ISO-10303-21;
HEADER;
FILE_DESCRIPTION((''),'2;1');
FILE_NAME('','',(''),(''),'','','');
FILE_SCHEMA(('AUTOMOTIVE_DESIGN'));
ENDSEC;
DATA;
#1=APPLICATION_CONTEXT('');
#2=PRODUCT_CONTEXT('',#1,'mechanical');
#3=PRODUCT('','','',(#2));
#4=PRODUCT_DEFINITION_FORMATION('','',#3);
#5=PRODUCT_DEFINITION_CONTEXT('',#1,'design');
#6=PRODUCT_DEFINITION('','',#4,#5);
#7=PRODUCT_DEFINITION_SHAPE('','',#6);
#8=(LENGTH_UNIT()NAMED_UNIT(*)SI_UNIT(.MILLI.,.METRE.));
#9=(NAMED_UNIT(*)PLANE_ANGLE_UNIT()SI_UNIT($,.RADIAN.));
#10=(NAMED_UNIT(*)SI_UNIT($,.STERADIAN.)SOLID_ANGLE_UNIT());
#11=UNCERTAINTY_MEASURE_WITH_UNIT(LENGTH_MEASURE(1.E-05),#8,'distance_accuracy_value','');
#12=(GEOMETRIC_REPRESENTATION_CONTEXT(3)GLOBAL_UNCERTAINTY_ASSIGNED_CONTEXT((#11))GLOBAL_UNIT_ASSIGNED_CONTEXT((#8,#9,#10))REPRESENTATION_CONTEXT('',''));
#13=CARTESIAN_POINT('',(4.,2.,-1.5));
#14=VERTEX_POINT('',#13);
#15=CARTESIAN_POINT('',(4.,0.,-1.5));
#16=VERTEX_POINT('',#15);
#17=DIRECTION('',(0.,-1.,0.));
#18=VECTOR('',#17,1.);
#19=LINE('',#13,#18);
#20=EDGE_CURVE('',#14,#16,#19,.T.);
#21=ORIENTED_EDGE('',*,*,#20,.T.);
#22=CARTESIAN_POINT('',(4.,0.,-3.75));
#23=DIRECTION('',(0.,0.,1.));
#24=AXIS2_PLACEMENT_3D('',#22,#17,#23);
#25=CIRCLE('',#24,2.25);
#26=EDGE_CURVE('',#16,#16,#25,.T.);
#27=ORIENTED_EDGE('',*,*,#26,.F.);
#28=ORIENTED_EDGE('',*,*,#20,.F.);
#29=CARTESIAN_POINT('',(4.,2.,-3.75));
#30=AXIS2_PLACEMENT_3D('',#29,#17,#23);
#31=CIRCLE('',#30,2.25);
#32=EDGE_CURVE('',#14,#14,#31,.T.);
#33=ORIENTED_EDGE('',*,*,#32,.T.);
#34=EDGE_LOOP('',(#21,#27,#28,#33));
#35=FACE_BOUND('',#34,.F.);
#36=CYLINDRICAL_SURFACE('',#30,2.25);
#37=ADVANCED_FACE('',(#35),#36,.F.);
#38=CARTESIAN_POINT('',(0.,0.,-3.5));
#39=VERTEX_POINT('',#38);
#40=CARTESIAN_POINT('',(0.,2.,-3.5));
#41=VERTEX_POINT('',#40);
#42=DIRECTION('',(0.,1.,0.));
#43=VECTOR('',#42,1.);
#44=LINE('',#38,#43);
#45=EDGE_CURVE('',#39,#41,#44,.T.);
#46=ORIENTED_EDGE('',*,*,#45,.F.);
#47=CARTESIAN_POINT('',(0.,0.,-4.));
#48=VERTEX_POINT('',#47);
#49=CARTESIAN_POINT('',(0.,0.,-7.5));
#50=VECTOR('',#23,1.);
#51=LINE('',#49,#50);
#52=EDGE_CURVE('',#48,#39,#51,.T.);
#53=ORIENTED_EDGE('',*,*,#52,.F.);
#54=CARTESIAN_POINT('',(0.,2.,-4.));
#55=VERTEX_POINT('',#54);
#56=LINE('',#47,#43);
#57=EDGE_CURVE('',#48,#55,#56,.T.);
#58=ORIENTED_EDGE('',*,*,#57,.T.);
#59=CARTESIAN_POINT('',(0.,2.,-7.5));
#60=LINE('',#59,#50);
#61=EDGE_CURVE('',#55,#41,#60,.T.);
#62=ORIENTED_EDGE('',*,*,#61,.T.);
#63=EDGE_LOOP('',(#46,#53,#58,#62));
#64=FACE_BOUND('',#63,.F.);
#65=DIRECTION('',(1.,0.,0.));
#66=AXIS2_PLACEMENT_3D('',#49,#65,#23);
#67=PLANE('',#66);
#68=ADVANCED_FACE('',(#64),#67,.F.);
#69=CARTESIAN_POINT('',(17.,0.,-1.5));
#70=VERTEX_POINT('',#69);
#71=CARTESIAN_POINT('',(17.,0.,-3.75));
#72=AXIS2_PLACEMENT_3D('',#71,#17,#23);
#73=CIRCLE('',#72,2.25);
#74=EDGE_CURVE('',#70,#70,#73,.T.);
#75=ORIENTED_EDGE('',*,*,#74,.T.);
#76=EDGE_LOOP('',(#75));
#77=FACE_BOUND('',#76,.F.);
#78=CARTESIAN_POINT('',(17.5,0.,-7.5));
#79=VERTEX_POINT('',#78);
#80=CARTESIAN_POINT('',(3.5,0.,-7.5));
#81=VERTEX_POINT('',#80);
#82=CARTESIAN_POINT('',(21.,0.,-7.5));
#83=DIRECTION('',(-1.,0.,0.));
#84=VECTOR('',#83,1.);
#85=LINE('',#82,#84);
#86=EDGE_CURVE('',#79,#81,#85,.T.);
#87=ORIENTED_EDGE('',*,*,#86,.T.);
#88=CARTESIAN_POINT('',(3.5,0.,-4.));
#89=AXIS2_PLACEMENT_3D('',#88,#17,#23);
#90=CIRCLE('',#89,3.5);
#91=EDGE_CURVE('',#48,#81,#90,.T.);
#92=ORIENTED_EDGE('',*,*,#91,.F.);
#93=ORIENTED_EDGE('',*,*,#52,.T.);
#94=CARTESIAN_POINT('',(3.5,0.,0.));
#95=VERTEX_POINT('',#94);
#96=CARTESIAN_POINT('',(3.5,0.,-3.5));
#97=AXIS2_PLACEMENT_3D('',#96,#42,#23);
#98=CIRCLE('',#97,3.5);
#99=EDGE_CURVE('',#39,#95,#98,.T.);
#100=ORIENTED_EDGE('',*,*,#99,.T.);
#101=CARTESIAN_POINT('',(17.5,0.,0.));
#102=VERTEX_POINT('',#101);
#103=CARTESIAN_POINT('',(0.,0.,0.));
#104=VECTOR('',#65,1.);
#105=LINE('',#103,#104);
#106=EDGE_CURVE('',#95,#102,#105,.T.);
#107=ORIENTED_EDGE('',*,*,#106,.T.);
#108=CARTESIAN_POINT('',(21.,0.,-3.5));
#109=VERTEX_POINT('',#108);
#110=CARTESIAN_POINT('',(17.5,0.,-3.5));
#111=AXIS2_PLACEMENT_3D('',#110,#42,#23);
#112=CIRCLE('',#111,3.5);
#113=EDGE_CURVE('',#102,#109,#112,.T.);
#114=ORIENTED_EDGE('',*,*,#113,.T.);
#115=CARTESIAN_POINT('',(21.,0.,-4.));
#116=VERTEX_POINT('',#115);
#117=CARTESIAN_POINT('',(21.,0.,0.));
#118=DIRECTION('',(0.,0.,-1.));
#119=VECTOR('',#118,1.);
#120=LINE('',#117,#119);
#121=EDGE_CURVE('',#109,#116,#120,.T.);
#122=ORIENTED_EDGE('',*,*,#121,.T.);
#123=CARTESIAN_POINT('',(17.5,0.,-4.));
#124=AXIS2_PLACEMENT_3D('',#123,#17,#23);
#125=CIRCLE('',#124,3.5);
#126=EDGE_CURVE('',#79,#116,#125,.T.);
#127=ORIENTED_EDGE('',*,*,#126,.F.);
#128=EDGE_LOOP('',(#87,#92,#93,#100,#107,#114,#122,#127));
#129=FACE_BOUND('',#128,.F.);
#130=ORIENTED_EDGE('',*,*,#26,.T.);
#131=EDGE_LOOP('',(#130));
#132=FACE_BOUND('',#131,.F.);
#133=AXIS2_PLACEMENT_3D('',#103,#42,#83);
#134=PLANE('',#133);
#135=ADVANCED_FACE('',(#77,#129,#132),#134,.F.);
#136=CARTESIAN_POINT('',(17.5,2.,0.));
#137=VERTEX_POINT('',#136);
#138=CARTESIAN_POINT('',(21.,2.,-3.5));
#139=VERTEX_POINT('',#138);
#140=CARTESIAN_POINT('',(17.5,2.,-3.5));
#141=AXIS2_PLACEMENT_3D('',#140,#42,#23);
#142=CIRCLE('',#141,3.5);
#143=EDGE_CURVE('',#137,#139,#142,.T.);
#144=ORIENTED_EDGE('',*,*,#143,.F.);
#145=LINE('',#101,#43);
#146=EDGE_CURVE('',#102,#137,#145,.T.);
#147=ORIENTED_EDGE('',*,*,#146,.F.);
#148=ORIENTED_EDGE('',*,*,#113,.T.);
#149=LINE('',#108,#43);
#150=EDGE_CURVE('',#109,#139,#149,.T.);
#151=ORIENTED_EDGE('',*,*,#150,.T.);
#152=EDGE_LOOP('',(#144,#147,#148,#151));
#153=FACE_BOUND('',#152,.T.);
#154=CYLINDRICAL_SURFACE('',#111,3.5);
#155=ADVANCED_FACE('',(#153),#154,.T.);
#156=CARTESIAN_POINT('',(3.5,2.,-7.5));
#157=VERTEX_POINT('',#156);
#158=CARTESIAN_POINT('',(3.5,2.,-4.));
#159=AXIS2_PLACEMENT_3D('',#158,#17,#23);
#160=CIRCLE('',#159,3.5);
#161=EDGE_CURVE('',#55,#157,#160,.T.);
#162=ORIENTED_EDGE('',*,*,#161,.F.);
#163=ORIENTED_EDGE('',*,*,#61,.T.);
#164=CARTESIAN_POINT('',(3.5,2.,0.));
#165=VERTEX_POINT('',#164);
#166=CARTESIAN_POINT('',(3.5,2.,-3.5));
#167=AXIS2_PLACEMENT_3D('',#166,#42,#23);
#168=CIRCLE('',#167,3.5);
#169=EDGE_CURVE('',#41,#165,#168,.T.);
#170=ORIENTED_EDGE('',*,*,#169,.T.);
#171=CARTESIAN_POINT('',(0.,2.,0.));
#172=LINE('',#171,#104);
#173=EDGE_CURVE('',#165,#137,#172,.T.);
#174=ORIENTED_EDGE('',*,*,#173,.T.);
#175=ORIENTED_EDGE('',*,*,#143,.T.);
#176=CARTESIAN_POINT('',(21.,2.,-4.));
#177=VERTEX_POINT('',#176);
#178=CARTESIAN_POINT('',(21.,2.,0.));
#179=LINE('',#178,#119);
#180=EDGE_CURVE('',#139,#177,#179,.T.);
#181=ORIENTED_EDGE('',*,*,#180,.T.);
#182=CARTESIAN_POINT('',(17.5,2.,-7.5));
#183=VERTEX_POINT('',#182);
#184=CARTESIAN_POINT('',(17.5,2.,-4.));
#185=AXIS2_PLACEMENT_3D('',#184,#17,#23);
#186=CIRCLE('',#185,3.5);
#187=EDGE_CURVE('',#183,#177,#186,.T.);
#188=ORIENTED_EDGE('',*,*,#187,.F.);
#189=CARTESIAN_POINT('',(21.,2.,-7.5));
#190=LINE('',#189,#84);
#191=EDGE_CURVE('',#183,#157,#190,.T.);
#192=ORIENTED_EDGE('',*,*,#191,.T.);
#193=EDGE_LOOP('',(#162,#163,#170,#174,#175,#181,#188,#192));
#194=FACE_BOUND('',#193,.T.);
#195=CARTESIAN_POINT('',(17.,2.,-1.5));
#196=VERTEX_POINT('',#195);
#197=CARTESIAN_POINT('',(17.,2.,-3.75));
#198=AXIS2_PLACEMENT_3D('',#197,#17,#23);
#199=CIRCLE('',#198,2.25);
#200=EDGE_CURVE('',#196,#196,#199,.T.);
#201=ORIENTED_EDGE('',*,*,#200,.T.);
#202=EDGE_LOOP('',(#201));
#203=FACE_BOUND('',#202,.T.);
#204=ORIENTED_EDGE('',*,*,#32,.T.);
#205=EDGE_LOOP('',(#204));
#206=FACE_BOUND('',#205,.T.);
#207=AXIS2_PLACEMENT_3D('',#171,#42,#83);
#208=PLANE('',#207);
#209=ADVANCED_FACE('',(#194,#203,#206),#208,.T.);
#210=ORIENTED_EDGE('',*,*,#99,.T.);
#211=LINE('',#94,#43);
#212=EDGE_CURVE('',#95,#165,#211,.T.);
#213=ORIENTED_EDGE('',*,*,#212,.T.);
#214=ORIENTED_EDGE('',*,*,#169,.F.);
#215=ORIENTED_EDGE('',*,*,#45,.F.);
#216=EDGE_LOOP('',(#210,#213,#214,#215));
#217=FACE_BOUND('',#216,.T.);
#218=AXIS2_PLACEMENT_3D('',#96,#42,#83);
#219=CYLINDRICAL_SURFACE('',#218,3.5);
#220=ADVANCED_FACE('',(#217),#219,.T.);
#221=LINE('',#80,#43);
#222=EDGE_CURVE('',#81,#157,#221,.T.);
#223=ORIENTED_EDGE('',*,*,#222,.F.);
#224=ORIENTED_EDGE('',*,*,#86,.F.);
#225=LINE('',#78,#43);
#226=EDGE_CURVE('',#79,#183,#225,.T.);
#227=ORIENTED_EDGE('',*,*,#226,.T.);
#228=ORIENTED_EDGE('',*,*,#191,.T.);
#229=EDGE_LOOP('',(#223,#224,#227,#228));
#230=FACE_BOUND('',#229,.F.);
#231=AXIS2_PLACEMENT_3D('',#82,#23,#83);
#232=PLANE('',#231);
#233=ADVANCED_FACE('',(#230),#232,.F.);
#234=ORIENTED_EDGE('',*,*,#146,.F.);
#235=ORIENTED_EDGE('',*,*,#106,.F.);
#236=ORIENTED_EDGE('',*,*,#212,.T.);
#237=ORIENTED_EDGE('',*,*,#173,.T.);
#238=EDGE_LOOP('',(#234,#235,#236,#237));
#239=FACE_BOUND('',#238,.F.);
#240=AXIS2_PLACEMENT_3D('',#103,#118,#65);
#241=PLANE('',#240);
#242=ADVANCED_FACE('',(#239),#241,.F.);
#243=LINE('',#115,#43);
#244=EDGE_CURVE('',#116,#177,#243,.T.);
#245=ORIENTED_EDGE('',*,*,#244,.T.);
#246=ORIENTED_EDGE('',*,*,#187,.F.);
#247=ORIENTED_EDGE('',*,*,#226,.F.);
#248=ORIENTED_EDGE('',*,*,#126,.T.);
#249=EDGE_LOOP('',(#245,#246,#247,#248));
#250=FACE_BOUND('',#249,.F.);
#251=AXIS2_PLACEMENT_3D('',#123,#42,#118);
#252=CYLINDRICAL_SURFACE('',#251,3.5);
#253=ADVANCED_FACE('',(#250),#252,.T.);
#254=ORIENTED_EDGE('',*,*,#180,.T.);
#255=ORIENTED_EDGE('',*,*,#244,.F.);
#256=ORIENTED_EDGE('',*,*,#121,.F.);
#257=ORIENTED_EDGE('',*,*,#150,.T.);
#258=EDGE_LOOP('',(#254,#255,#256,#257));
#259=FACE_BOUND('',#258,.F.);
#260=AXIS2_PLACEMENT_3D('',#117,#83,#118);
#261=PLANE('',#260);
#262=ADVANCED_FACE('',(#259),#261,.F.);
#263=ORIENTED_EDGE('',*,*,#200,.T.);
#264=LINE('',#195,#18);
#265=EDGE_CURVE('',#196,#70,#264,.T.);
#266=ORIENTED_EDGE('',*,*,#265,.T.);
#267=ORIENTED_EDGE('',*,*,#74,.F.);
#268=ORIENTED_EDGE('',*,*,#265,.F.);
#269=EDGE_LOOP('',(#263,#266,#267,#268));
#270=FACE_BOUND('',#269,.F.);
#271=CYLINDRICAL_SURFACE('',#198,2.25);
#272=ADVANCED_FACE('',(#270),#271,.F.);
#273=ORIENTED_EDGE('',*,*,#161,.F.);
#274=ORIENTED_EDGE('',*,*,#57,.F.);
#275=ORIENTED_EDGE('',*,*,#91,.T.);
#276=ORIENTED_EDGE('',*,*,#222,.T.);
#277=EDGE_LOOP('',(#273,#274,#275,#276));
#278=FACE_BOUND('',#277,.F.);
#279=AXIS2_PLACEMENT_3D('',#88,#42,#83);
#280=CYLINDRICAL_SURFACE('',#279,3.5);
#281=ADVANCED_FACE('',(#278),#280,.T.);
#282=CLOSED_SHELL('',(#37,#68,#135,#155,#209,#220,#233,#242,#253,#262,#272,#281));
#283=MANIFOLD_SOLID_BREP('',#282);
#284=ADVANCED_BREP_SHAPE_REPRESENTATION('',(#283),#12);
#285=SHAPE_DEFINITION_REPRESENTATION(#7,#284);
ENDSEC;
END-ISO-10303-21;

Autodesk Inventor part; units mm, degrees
ref_plane "YZ Plane" through (0, 0, 0) normal (1, 0, 0) x (0, 1, 0)
ref_plane "XZ Plane" through (0, 0, 0) normal (0, 1, 0) x (-1, 0, 0)
ref_plane "XY Plane" through (0, 0, 0) normal (0, 0, 1) x (1, 0, 0)
sketch "スケッチ1" plane through (0, 0, 0) normal (0, 1, 0) x (-1, 0, 0)
  line L0 (0, 0) -> (-21, 0)
  line L1 (-21, 0) -> (-21, -7.5)
  line L2 (-21, -7.5) -> (0, -7.5)
  line L3 (0, -7.5) -> (0, 0)
  dimension "d1" = 21
  dimension "d27" = 7.5
extrude "押し出し1" add sketch "スケッチ1" along normal blind 2
sketch "スケッチ2" plane through (0, 2, 0) normal (0, 1, 0) x (1, 0, 0)
  line L0 (0, 7.5) -> (0, 0) projected
  line L1 (0, 3.75) -> (21, 3.75)
  line L2 (21, 0) -> (21, 7.5) projected
  line L3 (0, 0) -> (21, 0) projected
  line L4 (10.5, 0) -> (10.5, 7.5)
  line L5 (21, 7.5) -> (0, 7.5) projected
  line L6 (4, 0) -> (4, 7.5)
  line L7 (17, 0) -> (17, 7.5)
  point P0 (4, 3.75)
  point P1 (17, 3.75)
  dimension "d18" = 3.75
  dimension "d19" = 3.75
  dimension "d20" = 21
  dimension "d23" = 4
  dimension "d24" = 4
hole "穴1" at (4, 2, -3.75) at (17, 2, -3.75) direction (0, -1, 0) diameter 4.5 end through all
fillet "フィレット1" radius 3.5 4 edges at (21, 1, 0) (21, 1, -7.5) (0, 1, 0) (0, 1, -7.5)
properties part number "Plate" material "鋼、軟鋼"
